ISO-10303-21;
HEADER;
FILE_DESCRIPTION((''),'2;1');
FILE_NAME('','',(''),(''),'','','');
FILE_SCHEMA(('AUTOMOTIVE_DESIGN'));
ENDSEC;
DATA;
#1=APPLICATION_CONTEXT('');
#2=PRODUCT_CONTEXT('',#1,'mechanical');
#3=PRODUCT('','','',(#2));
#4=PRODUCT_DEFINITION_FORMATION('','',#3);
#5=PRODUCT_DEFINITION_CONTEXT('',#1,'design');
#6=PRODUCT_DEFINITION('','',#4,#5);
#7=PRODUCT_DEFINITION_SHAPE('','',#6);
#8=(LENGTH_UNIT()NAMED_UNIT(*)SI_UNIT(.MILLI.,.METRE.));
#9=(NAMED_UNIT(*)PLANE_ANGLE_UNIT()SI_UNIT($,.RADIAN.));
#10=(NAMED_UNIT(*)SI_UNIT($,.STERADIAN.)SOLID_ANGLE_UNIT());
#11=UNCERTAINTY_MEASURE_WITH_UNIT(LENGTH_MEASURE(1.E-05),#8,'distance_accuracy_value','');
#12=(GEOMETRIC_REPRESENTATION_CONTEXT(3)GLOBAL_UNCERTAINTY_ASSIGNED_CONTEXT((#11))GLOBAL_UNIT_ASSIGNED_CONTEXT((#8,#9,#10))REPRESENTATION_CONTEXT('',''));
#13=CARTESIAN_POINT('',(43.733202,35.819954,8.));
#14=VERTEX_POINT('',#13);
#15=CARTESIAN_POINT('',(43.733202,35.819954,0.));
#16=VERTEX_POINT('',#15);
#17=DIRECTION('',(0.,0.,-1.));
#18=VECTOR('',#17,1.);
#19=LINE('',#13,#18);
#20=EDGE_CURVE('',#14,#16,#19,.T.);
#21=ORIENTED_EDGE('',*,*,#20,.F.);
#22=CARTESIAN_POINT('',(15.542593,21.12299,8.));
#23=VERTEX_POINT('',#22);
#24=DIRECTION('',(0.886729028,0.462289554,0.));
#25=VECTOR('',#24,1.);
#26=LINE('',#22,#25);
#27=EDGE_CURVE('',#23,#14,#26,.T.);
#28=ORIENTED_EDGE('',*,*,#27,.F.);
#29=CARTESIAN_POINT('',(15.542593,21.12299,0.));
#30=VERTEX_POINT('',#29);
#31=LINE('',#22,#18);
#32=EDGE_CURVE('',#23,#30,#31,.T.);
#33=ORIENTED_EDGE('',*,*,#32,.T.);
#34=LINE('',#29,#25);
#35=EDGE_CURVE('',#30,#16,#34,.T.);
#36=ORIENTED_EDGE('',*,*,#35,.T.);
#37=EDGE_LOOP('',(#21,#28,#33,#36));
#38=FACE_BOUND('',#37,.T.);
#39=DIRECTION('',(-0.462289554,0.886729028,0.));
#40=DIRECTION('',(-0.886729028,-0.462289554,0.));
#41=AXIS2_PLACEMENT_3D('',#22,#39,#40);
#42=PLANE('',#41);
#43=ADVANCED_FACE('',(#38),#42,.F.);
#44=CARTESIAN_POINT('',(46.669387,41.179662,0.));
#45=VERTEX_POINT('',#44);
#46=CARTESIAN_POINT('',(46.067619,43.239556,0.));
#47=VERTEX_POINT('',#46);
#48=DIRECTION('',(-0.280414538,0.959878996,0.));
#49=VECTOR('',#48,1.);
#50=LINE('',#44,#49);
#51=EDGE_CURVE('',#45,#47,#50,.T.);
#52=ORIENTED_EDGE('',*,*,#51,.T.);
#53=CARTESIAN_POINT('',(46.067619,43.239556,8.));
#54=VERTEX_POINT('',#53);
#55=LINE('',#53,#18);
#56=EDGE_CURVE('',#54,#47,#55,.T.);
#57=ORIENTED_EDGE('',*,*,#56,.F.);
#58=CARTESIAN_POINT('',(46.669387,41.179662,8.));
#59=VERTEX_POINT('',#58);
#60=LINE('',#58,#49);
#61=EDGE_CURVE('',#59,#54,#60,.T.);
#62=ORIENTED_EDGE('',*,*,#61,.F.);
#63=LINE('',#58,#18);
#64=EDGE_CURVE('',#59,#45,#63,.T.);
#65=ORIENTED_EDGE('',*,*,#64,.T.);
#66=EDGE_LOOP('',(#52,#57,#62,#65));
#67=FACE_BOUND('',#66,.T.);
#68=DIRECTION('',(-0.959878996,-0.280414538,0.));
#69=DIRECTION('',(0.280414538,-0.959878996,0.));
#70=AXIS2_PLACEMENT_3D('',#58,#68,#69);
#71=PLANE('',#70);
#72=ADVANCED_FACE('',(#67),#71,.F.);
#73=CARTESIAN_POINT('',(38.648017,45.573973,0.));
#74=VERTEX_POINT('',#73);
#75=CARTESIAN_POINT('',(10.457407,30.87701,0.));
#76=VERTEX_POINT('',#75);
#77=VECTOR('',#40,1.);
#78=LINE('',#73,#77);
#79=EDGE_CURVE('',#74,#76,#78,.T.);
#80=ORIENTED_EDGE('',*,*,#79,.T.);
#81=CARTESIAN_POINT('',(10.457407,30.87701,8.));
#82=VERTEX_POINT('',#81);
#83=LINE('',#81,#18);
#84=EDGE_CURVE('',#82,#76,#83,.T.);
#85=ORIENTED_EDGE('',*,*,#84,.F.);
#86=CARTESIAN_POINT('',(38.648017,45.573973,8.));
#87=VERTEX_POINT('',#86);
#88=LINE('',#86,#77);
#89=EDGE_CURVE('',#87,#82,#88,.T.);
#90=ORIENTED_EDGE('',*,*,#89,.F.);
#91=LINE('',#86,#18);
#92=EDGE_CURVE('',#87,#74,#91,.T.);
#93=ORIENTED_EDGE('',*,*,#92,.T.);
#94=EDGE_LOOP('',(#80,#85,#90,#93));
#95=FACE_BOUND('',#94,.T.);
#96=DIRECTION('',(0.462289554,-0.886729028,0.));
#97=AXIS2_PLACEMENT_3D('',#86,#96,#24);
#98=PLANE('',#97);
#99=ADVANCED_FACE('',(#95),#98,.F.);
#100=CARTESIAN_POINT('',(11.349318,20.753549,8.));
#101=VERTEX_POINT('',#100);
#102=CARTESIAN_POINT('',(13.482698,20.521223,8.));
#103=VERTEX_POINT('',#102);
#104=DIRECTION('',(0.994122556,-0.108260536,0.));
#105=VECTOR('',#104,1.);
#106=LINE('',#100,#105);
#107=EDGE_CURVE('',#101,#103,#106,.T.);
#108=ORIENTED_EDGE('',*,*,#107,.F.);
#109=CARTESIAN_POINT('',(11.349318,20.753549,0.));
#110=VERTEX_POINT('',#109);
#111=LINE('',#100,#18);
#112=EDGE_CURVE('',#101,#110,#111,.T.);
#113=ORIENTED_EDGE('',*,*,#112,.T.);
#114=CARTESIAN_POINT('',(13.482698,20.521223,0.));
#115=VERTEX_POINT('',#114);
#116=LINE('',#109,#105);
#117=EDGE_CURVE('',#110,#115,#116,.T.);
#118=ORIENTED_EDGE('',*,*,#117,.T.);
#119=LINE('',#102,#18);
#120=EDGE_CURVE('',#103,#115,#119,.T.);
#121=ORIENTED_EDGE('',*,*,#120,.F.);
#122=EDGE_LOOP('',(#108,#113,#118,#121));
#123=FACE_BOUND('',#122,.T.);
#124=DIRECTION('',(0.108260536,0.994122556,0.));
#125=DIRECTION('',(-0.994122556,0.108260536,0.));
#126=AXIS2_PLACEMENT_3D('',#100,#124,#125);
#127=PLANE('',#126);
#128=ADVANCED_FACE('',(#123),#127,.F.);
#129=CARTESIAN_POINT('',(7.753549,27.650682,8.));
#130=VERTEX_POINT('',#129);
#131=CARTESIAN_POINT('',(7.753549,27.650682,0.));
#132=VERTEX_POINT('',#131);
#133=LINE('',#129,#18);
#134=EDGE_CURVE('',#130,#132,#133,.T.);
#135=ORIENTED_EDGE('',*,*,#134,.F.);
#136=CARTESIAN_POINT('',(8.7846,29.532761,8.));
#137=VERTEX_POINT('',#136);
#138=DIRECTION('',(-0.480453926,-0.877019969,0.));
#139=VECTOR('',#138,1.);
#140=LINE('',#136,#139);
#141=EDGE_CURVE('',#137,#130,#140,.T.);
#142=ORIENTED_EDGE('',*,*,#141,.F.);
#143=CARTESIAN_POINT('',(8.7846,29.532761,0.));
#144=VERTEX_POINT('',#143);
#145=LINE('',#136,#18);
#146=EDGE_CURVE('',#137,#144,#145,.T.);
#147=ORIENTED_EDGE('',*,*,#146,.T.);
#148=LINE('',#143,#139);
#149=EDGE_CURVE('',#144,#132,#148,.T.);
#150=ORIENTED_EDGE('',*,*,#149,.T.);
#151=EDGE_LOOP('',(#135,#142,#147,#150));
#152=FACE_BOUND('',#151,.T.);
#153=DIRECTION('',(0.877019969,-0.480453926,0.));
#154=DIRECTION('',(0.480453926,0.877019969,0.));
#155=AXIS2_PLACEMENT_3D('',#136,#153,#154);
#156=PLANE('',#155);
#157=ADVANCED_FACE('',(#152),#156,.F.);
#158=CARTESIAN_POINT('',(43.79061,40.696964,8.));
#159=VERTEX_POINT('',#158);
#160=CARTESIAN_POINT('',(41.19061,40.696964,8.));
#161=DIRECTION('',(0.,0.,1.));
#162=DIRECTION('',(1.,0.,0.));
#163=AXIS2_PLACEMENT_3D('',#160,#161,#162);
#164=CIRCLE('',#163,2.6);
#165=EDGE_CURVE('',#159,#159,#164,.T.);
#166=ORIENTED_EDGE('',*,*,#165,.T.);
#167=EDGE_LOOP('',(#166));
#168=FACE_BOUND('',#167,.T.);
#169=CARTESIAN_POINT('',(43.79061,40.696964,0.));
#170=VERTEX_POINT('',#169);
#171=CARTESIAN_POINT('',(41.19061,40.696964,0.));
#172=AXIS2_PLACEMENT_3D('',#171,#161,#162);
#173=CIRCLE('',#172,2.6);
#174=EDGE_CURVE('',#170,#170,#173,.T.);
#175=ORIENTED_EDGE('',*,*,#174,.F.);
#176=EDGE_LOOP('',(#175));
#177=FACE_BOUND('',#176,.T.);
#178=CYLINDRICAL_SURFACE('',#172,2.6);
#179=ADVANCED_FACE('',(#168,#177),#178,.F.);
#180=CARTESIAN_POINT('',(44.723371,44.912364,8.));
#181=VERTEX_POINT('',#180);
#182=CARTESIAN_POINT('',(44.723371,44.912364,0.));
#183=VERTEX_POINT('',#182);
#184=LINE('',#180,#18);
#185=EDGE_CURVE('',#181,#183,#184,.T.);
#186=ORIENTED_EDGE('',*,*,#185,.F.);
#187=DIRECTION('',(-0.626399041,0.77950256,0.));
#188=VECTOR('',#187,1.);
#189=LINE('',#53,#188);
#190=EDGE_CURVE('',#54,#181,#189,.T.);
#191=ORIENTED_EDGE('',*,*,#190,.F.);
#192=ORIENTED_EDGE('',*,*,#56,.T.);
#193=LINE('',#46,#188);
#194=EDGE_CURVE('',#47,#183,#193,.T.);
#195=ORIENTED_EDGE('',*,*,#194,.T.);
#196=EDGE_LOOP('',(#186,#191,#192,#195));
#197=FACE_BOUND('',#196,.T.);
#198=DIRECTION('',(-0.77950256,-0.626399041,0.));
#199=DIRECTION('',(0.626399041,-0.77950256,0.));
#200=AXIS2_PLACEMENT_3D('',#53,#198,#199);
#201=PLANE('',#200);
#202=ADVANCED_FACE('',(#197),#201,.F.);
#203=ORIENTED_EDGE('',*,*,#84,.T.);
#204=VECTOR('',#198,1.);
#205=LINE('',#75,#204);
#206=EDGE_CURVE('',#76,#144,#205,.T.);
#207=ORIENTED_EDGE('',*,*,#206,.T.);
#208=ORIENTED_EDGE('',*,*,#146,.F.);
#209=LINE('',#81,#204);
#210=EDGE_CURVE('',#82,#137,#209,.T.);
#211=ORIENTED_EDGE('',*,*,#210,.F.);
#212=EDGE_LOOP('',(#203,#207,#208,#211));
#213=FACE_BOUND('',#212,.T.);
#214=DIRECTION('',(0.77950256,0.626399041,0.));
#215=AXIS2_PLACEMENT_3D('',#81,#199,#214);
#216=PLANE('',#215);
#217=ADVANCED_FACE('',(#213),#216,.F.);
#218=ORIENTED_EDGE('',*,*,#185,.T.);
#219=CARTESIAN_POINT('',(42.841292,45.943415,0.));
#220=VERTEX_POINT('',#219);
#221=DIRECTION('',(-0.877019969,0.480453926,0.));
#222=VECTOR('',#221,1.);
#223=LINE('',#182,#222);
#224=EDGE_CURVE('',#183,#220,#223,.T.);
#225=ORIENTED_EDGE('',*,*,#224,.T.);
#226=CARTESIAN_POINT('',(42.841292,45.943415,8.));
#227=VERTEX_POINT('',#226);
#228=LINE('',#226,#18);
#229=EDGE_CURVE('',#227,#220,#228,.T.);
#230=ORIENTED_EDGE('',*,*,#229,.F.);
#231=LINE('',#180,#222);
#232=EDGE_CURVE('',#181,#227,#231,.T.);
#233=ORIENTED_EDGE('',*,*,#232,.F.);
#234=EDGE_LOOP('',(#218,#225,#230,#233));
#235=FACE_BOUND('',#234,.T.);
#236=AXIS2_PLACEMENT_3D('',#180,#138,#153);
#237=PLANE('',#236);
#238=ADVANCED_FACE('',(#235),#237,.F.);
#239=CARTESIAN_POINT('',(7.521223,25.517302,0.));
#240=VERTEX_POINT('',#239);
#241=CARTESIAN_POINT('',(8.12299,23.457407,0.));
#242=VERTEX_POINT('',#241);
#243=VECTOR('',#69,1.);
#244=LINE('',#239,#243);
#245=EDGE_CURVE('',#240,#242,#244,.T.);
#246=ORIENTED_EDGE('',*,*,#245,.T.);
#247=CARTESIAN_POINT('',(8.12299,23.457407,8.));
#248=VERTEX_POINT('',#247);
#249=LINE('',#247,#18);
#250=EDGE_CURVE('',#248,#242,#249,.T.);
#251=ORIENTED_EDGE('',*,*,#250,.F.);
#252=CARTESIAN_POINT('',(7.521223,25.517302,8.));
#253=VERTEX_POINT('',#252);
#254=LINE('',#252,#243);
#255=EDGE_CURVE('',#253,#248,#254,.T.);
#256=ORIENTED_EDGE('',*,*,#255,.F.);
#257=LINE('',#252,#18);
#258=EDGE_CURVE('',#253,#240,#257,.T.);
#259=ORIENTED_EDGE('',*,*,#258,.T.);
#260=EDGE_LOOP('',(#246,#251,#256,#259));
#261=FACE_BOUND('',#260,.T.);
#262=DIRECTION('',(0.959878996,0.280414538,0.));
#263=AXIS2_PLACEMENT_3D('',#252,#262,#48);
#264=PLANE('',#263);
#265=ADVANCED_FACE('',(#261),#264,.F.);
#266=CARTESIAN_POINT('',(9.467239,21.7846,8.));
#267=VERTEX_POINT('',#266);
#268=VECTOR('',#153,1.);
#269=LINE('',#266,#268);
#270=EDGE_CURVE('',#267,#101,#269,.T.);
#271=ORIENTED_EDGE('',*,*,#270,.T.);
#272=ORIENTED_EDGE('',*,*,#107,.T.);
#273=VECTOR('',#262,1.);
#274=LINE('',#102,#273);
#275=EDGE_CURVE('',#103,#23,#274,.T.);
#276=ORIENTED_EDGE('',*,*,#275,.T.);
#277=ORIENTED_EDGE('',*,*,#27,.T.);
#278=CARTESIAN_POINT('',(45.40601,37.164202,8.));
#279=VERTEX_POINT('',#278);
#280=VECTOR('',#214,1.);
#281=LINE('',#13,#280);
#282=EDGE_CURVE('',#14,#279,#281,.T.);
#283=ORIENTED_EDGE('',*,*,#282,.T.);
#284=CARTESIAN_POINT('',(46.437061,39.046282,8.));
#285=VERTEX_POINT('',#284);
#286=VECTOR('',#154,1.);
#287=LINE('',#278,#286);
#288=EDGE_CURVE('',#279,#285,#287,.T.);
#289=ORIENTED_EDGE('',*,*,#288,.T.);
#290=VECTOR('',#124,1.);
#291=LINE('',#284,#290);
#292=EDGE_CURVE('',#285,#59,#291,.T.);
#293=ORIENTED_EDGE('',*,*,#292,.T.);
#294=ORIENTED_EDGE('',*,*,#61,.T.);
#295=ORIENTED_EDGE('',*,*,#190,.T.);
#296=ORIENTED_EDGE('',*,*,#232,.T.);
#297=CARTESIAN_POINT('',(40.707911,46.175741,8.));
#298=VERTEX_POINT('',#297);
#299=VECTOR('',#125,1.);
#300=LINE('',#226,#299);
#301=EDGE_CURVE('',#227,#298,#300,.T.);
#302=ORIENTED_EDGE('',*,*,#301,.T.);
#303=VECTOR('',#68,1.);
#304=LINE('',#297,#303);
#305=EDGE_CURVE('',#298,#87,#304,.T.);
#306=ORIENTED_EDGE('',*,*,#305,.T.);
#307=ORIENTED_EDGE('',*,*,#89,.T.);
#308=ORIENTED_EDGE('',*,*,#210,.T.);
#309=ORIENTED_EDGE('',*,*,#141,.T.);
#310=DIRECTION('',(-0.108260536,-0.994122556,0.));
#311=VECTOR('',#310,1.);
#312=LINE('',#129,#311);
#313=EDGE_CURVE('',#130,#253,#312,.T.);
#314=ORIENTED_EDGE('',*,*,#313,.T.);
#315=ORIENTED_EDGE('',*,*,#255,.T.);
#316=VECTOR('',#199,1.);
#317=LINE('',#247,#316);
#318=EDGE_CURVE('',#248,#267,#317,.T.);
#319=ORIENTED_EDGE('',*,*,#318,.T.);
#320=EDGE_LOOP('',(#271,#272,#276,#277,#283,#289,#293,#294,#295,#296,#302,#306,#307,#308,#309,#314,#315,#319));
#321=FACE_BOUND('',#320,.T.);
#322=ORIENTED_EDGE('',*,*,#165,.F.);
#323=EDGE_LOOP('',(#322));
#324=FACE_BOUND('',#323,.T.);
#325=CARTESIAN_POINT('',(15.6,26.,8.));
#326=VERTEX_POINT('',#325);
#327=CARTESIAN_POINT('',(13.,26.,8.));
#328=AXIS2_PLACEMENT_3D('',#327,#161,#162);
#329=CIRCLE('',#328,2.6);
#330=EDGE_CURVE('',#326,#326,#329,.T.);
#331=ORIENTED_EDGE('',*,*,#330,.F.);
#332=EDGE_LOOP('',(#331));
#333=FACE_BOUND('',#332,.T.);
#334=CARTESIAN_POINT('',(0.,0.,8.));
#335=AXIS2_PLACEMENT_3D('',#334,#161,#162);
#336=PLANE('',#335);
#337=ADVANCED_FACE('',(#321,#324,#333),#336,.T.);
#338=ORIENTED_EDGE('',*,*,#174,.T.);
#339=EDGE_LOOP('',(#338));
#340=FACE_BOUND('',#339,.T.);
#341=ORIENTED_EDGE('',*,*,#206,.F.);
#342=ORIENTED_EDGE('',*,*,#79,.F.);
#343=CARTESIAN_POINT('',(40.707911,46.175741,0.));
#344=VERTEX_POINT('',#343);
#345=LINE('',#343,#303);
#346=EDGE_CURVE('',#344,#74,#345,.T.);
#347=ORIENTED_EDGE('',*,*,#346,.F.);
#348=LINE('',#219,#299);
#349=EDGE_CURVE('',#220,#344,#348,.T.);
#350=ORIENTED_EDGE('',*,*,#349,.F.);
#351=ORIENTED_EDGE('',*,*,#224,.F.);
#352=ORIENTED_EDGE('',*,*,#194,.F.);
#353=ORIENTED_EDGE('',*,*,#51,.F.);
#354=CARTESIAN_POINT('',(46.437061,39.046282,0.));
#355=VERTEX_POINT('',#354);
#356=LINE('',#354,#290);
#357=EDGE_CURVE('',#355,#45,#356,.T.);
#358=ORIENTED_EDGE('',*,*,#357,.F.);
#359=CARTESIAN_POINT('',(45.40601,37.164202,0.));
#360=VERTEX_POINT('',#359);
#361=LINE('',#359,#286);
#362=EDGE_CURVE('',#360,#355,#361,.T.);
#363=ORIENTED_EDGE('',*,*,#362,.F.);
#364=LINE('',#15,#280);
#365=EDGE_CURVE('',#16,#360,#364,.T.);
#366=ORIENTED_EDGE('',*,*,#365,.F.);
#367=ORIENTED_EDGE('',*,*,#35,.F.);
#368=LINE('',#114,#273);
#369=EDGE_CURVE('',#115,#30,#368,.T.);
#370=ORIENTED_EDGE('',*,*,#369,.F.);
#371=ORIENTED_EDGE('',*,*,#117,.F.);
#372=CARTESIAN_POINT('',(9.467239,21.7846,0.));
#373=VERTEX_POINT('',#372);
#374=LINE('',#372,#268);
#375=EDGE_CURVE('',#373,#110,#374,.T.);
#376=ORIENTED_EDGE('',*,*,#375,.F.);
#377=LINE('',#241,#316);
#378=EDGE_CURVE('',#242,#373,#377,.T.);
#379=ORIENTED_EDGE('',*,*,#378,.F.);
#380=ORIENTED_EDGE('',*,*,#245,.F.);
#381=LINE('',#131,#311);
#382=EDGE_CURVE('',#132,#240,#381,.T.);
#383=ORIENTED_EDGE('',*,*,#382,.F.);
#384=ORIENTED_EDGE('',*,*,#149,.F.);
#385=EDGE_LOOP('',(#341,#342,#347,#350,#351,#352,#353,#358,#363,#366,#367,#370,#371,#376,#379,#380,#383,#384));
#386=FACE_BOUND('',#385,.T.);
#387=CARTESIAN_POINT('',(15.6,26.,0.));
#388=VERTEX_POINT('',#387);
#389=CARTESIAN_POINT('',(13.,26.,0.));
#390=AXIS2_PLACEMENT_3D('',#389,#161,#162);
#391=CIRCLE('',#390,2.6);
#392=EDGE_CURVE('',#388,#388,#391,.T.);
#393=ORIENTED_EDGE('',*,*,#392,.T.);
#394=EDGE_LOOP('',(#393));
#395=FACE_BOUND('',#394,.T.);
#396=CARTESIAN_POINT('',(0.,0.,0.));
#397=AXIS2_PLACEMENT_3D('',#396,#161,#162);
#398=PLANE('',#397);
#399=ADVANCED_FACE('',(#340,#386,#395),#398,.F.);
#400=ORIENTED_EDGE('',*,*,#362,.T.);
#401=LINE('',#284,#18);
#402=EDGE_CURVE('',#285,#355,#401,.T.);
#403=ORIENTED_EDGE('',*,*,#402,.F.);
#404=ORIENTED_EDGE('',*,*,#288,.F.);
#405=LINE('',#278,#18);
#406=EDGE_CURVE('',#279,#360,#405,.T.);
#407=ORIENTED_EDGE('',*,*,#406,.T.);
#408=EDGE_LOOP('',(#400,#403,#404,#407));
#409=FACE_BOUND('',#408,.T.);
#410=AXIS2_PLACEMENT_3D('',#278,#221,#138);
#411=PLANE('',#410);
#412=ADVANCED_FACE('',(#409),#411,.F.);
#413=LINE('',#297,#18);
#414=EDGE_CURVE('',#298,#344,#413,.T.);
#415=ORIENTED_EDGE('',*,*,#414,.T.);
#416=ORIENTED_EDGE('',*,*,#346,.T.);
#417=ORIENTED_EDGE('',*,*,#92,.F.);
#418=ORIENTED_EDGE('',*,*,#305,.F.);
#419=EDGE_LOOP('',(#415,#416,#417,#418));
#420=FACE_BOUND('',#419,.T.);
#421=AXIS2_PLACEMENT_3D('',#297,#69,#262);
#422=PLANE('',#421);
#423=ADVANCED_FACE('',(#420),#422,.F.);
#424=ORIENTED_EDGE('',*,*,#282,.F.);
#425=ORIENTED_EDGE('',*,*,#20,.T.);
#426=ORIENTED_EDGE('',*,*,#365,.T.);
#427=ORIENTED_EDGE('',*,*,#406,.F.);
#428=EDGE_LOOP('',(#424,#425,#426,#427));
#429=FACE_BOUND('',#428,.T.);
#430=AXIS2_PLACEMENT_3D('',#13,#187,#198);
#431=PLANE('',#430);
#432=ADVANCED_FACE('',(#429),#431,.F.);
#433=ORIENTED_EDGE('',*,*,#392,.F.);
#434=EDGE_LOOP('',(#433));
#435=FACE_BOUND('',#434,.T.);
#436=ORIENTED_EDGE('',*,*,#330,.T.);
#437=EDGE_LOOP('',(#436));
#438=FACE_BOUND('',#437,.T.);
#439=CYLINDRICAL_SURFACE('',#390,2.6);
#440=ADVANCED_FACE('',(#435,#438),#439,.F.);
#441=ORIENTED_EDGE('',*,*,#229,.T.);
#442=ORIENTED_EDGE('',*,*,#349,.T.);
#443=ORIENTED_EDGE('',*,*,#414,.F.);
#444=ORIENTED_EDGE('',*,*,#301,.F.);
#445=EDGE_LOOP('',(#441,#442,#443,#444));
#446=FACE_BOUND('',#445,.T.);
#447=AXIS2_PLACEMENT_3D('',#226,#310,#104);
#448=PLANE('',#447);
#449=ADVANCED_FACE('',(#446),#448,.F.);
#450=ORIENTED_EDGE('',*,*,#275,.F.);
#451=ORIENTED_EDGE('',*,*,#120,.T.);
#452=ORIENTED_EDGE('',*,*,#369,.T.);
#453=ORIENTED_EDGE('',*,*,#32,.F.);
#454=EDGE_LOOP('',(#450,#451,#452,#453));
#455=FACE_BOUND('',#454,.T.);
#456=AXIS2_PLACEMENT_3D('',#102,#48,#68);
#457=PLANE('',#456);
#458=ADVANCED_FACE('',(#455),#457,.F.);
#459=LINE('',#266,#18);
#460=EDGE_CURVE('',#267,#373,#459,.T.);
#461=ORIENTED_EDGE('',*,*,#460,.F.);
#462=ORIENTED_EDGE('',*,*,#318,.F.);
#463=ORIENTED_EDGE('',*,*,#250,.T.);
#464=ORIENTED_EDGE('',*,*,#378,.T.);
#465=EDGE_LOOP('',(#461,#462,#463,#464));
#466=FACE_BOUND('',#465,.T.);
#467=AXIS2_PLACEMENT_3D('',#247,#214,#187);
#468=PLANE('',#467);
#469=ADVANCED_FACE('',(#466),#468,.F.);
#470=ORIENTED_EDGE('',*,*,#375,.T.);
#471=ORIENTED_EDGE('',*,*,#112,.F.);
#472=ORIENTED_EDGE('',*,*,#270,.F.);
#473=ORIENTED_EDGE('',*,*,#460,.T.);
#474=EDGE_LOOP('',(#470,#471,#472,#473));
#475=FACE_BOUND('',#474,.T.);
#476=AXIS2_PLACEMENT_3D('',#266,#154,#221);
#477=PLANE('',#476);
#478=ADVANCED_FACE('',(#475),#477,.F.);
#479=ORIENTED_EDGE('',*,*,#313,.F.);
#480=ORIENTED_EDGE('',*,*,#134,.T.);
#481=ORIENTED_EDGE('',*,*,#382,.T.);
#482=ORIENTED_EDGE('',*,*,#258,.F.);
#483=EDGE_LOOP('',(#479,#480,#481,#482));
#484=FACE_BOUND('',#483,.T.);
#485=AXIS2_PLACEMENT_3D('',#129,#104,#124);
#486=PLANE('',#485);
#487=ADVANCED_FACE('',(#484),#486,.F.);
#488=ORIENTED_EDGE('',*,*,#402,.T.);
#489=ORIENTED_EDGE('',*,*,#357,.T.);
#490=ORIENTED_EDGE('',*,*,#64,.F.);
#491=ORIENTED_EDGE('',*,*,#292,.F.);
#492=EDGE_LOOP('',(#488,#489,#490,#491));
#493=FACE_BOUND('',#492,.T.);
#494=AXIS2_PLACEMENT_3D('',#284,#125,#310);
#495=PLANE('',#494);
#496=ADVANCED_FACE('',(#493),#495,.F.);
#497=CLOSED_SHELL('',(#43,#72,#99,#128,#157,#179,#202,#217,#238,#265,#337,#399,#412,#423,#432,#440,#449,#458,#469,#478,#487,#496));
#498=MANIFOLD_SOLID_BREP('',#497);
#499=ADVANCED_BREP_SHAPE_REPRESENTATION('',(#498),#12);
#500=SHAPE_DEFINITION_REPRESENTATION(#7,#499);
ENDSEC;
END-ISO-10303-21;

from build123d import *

# Parameters (mm, degrees)
HIGH_SLIDER_LINK_DEPTH = 8
SKETCH_2_R             = 2.6
PIN_BORE_DEPTH         = 67.137967524
SKETCH_3_R             = 2.6
CUT_EXTRUDE_2_DEPTH    = 67.137967524


with BuildPart() as part:
    # 草图1 → High_slider_link (new body)
    with BuildSketch(Plane.XY):
        Polygon((43.733202086, 35.819954019), (45.406009546, 37.164202316), (46.437060568, 39.046281505), (46.66938698, 41.17966209), (46.067619192, 43.239556216), (44.723370895, 44.912363676), (42.841291706, 45.943414698), (40.707911121, 46.17574111), (38.648016994, 45.573973323), (10.457407454, 30.877009652), (8.784599994, 29.532761355), (7.753548972, 27.650682166), (7.52122256, 25.517301581), (8.122990348, 23.457407454), (9.467238645, 21.784599994), (11.349317834, 20.753548972), (13.482698419, 20.52122256), (15.542592546, 21.122990348), align=None)
    extrude(amount=HIGH_SLIDER_LINK_DEPTH)

    # 草图2 → Pin_bore (cut, through all)
    with BuildSketch(Plane.XY.offset(8)):
        with Locations((41.19060954, 40.696963671)):
            Circle(SKETCH_2_R)
    extrude(amount=-PIN_BORE_DEPTH, mode=Mode.SUBTRACT)

    # 草图3 → 切除-拉伸2 (cut, through all)
    with BuildSketch(Plane.XY.offset(8)):
        with Locations((13, 26)):
            Circle(SKETCH_3_R)
    extrude(amount=-CUT_EXTRUDE_2_DEPTH, mode=Mode.SUBTRACT)


solid = part.part
